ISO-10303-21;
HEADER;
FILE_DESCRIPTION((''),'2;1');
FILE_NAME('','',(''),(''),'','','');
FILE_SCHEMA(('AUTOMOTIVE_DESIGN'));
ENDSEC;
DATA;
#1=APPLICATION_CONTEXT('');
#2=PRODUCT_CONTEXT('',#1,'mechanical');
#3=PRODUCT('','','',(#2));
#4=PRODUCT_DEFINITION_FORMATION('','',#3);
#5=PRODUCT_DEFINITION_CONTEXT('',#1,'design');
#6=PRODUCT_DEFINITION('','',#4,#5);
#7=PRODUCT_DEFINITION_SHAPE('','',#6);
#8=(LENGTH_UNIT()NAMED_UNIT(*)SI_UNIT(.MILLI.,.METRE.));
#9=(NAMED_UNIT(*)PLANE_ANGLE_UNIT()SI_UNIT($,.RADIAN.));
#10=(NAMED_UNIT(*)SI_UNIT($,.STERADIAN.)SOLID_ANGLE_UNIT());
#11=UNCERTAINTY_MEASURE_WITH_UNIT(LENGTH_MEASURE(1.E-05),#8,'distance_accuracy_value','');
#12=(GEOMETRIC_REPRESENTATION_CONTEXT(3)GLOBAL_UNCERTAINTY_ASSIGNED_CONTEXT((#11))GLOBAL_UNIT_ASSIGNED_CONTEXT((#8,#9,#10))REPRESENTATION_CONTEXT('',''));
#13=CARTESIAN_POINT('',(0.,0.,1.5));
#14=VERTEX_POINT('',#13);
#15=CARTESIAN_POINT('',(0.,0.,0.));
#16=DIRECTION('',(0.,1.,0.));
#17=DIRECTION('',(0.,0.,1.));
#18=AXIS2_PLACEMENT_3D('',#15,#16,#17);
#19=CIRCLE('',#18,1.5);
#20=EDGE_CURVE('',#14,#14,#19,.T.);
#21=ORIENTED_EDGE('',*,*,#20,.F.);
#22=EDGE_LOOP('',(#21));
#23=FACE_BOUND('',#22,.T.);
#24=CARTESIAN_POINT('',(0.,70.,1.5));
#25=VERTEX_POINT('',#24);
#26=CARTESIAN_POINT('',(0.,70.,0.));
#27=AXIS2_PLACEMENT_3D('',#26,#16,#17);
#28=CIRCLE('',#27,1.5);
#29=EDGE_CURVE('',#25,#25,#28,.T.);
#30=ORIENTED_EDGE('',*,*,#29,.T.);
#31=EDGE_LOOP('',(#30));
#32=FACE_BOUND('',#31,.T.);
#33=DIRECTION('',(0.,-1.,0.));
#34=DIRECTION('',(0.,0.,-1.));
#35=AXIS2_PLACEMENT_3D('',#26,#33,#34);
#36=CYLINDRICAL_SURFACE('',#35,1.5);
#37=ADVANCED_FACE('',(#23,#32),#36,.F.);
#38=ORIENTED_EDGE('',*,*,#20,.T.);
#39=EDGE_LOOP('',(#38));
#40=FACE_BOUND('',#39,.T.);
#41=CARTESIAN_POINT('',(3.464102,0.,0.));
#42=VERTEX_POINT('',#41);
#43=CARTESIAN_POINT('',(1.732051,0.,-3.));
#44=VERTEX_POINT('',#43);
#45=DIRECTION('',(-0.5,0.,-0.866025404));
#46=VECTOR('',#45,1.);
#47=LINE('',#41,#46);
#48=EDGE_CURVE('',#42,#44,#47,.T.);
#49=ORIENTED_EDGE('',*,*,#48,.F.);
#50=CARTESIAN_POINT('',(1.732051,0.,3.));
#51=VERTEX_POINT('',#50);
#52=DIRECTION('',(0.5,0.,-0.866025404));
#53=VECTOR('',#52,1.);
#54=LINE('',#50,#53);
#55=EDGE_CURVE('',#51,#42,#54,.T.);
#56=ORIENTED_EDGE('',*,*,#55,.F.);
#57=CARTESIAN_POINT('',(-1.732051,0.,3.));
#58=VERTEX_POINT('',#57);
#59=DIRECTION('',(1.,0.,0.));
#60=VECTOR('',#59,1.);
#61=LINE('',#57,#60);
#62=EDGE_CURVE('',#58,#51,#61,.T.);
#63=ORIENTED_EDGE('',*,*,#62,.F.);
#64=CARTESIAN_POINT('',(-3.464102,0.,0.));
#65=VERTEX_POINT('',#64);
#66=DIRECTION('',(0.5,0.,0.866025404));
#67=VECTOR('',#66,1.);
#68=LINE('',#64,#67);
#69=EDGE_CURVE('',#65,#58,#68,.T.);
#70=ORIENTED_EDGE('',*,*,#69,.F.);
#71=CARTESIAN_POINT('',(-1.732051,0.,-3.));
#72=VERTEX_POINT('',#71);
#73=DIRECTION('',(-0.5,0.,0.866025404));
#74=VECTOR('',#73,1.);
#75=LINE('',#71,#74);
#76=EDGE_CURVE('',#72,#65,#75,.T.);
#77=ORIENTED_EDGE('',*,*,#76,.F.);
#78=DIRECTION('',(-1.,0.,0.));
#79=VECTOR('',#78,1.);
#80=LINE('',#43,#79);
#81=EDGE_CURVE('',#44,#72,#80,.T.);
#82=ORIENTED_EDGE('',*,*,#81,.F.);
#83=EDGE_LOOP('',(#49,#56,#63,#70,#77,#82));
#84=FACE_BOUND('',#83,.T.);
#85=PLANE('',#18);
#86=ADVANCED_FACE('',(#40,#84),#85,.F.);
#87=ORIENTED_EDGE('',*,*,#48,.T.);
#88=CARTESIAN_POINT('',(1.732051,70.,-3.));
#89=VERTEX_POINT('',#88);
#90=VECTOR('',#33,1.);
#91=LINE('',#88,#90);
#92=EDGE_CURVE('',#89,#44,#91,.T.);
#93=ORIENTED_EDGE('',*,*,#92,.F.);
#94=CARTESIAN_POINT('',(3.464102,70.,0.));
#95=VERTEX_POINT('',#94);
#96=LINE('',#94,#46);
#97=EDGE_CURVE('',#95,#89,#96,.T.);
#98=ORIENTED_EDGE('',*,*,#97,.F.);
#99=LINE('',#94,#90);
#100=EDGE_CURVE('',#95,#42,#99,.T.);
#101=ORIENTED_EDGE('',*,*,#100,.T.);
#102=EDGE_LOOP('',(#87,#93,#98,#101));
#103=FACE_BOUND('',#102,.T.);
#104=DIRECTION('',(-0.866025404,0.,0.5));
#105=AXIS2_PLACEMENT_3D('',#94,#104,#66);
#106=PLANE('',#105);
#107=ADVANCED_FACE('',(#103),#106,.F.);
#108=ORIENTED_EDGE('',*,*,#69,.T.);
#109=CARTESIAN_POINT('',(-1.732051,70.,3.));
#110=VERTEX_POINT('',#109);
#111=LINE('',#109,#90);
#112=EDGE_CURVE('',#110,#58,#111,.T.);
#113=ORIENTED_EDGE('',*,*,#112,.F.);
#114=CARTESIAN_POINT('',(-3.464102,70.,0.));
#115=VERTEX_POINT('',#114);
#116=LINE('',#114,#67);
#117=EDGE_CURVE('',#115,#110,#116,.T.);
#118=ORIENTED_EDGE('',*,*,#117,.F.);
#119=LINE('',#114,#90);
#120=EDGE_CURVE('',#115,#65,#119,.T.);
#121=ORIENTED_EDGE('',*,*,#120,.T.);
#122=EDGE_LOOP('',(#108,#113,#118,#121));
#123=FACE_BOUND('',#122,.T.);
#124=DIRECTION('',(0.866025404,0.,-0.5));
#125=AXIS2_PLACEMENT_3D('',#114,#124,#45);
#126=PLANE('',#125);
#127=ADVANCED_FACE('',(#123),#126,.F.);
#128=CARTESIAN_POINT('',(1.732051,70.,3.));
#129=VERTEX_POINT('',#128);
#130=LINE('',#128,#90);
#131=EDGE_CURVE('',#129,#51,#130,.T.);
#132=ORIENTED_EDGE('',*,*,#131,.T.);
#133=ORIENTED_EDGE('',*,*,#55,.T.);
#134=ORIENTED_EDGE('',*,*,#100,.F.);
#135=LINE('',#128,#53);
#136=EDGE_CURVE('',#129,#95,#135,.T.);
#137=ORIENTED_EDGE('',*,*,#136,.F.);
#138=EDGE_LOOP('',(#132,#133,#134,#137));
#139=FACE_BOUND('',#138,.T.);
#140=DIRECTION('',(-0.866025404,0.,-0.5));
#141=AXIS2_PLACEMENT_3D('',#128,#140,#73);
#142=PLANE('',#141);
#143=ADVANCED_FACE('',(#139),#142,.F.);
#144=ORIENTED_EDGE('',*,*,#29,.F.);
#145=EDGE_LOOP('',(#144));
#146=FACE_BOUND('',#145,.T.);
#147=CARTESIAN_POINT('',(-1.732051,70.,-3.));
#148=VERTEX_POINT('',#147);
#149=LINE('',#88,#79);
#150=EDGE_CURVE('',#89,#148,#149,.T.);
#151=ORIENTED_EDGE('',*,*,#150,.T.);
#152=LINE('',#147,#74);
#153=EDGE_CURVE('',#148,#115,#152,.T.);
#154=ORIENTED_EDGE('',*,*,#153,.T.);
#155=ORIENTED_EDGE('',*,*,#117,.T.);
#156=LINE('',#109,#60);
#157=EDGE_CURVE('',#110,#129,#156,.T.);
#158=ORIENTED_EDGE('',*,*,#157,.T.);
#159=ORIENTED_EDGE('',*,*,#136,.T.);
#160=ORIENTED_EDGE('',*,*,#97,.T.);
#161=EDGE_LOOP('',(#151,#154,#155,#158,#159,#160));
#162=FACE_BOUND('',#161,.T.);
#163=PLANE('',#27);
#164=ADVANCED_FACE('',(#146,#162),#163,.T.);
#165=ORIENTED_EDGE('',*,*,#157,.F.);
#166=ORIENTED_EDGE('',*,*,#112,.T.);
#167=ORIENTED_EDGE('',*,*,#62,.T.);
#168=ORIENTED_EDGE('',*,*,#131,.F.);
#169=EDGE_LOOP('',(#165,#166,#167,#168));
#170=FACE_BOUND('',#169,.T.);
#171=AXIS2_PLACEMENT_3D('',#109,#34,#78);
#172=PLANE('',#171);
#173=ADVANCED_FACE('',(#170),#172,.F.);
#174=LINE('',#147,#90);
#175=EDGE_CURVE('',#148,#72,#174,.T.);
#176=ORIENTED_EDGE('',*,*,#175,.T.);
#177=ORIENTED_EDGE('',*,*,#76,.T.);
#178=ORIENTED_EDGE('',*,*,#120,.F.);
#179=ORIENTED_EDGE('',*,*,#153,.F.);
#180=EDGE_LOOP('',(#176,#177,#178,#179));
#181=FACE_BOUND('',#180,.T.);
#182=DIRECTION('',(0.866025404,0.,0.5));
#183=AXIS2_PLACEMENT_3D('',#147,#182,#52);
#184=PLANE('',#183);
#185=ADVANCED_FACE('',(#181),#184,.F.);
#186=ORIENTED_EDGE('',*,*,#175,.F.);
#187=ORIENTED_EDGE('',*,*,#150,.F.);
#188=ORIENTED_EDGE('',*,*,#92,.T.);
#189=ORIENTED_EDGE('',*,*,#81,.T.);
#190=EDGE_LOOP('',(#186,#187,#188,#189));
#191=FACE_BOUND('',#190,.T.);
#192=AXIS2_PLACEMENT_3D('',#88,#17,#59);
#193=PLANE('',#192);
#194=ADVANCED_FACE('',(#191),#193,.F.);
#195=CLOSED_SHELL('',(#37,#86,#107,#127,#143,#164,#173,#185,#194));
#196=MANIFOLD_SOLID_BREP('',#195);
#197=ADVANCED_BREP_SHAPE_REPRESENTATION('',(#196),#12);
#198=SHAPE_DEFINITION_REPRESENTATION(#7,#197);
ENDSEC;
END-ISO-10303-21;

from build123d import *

# Parameters (mm, degrees)
SKETCH_1_R      = 1.5
EXTRUDE_1_DEPTH = 70


with BuildPart() as part:
    # 草图1 → 凸台-拉伸1 (new body)
    with BuildSketch(Plane(origin=(0, 0, 0), x_dir=(1, 0, 0), z_dir=(0, 1, 0))):
        Polygon((3.464101615, 0), (1.732050808, 3), (-1.732050808, 3), (-3.464101615, 0), (-1.732050808, -3), (1.732050808, -3), align=None)
        Circle(SKETCH_1_R, mode=Mode.SUBTRACT)
    extrude(amount=EXTRUDE_1_DEPTH)


solid = part.part
